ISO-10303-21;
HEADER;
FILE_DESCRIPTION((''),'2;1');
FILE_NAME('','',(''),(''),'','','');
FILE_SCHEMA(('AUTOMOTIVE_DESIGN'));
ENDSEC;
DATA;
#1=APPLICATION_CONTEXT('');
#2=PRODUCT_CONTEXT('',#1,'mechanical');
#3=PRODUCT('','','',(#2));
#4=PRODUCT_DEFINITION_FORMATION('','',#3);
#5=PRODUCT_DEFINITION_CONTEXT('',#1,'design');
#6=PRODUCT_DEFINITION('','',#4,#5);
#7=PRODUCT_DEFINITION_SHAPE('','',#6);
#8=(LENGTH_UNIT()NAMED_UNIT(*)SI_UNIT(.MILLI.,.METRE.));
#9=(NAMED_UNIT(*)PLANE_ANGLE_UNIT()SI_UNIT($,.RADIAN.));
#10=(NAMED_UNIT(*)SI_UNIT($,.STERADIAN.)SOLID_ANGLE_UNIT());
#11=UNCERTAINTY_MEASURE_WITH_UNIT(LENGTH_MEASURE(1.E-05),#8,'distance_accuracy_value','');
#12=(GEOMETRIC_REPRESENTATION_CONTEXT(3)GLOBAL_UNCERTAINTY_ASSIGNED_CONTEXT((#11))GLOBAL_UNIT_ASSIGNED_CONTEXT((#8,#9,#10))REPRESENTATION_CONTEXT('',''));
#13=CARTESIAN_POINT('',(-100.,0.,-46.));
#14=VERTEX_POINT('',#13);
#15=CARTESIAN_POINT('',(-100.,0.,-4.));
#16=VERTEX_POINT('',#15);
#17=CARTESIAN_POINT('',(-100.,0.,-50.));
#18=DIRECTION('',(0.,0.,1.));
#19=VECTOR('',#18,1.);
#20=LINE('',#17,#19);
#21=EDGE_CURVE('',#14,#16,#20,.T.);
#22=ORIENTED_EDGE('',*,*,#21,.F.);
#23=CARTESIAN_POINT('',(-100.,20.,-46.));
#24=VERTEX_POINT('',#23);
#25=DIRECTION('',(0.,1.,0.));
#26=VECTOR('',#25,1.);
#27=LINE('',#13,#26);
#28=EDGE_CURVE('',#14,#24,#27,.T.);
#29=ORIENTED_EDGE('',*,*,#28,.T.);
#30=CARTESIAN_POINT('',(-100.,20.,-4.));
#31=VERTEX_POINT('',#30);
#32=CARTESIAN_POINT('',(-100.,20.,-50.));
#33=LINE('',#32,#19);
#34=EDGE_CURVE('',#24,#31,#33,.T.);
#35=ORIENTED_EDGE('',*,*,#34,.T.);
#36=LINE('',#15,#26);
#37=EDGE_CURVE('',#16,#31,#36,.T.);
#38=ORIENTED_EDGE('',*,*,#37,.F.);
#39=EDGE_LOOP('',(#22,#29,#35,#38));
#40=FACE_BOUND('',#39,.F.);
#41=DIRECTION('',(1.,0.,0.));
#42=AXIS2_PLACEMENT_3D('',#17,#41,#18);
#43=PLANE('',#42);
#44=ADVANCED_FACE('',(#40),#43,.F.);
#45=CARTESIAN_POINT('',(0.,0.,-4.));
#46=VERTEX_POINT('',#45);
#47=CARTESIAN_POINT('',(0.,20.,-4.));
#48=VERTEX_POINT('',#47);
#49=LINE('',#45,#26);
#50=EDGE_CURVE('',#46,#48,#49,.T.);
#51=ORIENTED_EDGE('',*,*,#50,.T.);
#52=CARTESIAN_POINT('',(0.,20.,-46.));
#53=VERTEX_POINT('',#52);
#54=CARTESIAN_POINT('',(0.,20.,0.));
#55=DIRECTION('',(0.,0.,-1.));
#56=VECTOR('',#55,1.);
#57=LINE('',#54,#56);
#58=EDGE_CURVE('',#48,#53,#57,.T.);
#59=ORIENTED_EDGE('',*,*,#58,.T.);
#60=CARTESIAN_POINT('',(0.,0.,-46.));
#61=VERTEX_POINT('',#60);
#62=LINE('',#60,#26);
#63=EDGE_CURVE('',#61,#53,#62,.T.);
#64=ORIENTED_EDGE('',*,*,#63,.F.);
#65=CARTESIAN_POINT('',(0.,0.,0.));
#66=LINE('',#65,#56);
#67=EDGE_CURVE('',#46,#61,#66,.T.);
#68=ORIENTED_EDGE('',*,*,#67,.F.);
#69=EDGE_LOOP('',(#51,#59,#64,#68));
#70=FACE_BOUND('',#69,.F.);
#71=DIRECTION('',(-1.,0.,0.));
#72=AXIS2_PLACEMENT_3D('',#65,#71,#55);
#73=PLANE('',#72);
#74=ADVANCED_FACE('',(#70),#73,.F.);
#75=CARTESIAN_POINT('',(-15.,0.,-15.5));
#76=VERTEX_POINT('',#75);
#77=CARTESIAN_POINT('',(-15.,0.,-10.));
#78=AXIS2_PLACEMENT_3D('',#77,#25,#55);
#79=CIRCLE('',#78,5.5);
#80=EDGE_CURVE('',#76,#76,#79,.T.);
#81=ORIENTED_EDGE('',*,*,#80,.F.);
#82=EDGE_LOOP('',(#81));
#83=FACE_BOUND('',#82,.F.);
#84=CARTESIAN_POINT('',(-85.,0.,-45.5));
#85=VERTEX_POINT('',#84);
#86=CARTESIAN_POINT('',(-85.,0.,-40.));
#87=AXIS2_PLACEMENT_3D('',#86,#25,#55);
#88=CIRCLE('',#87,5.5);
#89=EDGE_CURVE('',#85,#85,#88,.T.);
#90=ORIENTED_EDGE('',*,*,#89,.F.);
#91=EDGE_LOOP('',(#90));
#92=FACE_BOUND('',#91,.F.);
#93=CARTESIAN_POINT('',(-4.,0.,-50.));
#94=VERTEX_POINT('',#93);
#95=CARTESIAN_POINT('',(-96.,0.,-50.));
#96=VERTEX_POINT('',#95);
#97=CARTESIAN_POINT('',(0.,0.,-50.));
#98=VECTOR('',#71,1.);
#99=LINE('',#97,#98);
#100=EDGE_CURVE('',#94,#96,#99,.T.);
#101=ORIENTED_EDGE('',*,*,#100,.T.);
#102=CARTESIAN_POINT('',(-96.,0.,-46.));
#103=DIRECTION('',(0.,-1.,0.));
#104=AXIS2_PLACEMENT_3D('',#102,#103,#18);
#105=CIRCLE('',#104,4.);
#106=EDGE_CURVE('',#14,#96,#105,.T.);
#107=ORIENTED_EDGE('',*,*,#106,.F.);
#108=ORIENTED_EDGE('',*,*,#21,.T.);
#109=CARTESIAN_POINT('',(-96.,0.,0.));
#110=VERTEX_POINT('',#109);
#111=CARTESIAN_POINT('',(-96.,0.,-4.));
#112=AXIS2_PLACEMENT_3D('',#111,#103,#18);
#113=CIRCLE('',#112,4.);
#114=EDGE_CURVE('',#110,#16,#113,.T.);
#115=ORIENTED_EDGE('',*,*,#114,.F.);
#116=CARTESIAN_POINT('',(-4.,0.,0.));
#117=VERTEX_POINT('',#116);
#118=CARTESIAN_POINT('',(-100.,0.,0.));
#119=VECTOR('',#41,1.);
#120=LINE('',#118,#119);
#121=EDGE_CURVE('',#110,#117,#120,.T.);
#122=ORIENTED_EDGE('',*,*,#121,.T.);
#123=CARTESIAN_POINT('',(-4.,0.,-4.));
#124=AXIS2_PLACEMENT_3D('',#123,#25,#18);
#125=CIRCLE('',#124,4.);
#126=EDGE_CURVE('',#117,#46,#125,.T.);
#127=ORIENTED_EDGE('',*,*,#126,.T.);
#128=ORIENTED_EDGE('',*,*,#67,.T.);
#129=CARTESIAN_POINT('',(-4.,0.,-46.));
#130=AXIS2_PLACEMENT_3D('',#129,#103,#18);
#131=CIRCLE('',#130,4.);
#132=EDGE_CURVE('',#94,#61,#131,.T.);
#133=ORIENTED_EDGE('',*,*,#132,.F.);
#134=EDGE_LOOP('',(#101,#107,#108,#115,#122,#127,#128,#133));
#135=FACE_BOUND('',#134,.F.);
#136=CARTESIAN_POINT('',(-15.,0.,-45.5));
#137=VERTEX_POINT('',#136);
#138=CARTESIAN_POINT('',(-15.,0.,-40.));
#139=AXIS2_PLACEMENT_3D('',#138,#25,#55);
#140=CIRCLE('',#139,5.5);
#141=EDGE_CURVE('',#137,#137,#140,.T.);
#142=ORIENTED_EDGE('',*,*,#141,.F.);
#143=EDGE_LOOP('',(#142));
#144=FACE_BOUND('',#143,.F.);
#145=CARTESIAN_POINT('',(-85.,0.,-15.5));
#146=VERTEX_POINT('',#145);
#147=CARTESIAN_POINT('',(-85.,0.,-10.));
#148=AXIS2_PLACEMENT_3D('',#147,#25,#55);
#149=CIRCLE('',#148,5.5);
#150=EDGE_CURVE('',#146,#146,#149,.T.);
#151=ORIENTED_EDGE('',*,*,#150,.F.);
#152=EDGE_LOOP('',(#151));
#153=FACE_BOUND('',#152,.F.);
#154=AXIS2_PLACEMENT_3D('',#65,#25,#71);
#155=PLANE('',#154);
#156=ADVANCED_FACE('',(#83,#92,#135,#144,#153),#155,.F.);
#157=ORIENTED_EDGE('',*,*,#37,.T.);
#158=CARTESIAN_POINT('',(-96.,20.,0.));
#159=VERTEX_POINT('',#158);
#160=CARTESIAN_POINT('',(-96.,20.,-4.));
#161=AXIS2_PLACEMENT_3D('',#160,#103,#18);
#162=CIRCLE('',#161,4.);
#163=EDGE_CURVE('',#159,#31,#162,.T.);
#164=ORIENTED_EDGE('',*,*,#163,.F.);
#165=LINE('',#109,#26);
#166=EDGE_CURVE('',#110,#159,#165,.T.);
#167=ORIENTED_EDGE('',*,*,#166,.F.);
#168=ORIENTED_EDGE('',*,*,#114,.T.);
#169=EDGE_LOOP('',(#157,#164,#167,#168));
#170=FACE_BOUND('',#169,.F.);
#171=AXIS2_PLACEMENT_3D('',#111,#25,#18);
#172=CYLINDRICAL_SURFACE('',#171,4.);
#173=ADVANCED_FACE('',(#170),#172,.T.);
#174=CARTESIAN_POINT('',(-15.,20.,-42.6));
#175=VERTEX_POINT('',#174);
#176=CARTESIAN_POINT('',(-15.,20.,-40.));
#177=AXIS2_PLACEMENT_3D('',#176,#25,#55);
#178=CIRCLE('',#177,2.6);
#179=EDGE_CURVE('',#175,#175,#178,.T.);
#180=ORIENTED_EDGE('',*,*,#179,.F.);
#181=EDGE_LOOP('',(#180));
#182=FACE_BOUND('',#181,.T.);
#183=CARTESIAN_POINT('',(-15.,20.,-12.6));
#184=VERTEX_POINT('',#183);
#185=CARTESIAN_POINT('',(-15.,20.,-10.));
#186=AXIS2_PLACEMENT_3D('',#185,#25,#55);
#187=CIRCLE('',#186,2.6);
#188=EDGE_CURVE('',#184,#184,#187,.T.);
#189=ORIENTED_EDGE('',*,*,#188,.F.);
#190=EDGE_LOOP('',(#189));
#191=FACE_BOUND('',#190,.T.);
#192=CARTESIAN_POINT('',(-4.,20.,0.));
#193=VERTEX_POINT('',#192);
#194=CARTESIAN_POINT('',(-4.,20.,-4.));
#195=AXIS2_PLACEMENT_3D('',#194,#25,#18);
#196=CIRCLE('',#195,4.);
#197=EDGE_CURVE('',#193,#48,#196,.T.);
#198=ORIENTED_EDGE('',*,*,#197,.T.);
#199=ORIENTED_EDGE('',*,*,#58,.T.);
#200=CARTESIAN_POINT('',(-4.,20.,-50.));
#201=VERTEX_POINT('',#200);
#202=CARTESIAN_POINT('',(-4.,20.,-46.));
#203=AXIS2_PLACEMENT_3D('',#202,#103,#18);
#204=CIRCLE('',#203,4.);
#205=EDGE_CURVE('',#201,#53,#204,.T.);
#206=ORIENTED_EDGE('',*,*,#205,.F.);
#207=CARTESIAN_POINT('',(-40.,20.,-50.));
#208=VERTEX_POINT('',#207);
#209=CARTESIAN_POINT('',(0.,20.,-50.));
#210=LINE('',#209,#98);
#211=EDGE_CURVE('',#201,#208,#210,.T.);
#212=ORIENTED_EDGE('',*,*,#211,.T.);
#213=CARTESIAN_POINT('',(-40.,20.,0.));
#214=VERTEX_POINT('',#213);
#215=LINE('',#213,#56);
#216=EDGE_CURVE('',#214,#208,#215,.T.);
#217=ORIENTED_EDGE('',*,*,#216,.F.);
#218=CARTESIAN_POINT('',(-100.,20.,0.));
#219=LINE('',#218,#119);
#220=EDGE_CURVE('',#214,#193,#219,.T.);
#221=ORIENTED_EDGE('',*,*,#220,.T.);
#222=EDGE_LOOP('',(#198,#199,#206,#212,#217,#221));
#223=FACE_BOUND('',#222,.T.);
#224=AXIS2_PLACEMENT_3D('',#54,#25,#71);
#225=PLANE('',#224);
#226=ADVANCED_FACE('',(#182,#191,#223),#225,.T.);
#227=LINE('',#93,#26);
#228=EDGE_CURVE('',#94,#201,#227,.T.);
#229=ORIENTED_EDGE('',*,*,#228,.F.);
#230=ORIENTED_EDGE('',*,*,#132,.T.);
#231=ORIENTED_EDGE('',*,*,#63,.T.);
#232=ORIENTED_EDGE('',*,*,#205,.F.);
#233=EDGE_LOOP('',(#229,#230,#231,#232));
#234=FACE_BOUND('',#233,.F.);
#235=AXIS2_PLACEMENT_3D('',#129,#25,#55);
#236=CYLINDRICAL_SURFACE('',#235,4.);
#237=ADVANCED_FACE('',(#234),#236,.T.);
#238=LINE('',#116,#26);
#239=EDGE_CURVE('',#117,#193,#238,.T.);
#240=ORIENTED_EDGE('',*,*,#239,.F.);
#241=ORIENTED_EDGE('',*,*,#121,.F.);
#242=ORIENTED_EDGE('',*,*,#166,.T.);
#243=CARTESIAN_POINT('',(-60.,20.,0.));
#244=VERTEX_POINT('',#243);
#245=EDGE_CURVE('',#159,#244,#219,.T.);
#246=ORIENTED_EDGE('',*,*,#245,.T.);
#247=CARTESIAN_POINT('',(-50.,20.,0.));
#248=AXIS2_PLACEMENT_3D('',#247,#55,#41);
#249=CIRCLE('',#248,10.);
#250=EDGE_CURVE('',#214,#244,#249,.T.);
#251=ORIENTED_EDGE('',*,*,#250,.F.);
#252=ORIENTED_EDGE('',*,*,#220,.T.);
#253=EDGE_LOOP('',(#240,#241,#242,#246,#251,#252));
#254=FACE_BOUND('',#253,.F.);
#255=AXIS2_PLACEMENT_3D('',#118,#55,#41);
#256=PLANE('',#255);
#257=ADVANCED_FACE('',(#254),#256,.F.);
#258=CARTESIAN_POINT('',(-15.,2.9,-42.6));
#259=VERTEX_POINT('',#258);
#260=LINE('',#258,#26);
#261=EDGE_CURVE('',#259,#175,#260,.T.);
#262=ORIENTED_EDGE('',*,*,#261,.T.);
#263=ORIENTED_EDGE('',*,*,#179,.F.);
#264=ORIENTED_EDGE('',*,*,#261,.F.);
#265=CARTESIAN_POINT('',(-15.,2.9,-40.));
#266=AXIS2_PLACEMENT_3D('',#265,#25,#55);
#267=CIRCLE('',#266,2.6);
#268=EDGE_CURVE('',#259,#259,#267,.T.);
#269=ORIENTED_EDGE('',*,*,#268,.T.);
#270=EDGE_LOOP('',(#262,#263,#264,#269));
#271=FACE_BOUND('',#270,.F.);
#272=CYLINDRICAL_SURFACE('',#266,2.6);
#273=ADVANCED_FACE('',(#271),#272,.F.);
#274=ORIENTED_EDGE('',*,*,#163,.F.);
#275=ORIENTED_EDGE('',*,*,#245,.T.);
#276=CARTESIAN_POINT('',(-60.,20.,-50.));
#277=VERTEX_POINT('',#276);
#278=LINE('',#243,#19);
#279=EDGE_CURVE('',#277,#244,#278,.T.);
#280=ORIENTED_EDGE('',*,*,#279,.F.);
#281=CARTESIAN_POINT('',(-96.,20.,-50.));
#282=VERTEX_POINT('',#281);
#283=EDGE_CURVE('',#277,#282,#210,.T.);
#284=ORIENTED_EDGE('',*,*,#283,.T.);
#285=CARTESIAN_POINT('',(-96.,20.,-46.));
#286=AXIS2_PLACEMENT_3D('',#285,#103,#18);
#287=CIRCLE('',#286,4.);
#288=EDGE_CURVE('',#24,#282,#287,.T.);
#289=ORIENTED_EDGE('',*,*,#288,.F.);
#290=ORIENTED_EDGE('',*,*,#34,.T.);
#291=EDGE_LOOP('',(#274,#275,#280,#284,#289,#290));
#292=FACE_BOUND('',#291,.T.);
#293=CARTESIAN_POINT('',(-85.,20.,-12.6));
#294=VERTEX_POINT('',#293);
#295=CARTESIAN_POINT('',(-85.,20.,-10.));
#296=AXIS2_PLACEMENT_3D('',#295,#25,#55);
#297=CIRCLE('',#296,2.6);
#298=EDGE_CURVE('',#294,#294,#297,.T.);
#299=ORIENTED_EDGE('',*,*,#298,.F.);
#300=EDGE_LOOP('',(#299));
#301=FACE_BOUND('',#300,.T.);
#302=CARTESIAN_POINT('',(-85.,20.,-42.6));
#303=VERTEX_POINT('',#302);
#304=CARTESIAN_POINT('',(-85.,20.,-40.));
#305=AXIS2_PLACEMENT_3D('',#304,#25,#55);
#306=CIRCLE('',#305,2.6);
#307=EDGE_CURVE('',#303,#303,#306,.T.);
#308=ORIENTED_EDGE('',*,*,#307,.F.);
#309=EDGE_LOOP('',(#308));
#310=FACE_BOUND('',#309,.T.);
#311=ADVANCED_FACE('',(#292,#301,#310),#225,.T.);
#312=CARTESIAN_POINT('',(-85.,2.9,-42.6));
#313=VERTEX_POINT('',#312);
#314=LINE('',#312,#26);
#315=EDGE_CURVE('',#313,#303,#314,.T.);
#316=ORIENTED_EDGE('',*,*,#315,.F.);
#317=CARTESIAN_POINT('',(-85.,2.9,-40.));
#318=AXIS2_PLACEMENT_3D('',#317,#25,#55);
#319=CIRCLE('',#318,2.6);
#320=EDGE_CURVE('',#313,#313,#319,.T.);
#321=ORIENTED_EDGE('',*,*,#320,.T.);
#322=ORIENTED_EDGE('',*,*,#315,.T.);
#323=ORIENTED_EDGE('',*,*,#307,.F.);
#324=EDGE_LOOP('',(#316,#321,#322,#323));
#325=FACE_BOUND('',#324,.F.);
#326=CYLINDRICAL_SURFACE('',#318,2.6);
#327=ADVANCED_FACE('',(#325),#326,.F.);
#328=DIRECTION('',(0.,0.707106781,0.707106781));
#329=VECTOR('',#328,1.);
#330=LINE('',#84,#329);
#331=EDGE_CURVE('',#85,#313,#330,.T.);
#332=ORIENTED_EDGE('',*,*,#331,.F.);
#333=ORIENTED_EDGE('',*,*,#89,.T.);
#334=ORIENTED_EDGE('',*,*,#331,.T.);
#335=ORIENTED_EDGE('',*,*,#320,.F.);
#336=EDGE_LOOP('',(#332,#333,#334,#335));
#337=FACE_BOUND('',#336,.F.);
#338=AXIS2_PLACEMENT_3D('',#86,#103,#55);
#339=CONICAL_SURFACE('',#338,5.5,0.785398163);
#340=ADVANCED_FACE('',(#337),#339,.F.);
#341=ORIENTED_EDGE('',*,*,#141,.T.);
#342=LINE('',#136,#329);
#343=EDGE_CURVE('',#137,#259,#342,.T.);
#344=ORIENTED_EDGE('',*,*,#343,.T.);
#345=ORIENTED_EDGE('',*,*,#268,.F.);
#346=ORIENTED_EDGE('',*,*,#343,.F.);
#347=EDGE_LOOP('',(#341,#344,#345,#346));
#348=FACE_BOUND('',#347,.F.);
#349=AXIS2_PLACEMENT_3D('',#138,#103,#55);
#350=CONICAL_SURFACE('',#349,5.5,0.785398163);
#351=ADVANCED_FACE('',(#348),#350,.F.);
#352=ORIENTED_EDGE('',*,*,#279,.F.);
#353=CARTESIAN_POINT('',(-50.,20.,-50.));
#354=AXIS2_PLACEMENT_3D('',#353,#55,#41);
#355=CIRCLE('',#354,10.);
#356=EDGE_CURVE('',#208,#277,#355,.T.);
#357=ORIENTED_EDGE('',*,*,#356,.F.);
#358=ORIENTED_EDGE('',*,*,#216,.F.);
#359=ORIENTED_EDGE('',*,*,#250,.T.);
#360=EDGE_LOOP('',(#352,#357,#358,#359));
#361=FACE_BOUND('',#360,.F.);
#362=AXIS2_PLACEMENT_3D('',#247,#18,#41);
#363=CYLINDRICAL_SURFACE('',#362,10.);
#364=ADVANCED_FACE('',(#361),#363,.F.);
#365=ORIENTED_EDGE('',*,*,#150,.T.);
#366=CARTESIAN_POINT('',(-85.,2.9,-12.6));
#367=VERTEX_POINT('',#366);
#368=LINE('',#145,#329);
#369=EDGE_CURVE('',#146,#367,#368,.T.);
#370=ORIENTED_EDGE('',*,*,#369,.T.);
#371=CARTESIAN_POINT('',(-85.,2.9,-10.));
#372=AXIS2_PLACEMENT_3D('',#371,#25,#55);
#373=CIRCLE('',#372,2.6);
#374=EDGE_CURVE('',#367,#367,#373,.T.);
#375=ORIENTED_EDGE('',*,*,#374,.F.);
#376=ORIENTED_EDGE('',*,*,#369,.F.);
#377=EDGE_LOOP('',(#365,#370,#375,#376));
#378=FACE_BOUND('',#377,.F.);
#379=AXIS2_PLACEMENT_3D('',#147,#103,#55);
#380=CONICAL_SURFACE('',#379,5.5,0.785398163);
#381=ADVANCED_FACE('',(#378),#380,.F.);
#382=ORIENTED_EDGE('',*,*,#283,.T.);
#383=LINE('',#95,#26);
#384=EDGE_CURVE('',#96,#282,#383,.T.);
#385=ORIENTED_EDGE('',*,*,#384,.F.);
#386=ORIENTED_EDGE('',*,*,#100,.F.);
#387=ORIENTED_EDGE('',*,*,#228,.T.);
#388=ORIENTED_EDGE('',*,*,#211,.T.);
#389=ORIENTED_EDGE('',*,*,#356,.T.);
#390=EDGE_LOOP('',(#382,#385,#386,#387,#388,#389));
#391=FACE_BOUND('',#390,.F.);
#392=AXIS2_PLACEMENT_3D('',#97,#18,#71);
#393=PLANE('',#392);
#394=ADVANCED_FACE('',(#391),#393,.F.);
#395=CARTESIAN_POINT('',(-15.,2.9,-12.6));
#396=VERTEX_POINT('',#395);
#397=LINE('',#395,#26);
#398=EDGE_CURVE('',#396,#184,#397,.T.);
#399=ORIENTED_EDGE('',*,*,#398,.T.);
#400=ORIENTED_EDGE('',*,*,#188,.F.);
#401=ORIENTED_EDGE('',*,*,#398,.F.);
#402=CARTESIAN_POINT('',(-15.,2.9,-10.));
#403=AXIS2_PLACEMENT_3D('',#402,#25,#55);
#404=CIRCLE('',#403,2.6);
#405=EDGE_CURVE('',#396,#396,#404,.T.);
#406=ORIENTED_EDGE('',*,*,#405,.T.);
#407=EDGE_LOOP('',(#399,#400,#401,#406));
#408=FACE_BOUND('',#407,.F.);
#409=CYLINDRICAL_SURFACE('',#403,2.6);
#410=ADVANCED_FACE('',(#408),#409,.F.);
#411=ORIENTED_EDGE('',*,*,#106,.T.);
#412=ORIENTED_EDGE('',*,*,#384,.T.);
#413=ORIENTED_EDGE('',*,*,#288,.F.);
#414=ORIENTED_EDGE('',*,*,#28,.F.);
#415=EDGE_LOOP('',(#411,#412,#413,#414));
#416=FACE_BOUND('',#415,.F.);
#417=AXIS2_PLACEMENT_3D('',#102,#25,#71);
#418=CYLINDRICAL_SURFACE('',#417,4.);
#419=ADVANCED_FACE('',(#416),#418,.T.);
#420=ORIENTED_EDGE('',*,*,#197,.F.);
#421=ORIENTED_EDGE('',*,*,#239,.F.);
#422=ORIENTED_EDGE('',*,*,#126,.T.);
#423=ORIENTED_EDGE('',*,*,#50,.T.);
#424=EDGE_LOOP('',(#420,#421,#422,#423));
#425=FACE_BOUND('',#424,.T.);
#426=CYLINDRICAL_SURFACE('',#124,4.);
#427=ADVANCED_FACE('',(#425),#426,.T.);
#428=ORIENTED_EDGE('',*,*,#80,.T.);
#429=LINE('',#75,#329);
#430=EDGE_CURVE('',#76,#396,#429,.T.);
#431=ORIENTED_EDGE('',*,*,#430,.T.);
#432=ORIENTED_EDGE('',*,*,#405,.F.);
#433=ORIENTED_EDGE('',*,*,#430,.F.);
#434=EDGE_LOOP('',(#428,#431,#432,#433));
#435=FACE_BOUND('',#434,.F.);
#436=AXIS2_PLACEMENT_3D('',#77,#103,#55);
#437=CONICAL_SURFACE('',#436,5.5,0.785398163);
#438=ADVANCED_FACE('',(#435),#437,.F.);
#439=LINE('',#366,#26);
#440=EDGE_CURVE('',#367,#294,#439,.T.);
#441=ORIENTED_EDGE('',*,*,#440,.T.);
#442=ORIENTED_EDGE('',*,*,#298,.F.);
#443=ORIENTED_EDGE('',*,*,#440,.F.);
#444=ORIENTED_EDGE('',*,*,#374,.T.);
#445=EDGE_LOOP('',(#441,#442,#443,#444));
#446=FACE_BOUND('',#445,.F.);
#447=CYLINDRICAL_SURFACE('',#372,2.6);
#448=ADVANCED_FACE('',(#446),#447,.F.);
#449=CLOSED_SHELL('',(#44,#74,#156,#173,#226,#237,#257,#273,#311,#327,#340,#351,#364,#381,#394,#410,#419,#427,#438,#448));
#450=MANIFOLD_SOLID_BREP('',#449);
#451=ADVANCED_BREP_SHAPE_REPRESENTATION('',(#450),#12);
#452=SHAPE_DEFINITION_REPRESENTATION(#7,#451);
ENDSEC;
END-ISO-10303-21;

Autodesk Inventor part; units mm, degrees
ref_plane "YZ Plane" through (0, 0, 0) normal (1, 0, 0) x (0, 1, 0)
ref_plane "XZ Plane" through (0, 0, 0) normal (0, 1, 0) x (-1, 0, 0)
ref_plane "XY Plane" through (0, 0, 0) normal (0, 0, 1) x (1, 0, 0)
sketch "Skizze1" plane through (0, 0, 0) normal (0, 1, 0) x (-1, 0, 0)
  line L0 (0, 0) -> (0, -50)
  line L1 (0, -50) -> (100, -50)
  line L2 (100, -50) -> (100, 0)
  line L3 (100, 0) -> (0, 0)
  dimension "d0" = 50
  dimension "d1" = 100
extrude "Extrusion1" add sketch "Skizze1" along normal blind 20
fillet "Rundung1" radius 4 4 edges at (0, 10, 0) (0, 10, -50) (-100, 10, -50) (-100, 10, 0)
sketch "Skizze2" plane through (-96, 0, 0) normal (0, 0, 1) x (1, 0, 0)
  line L0 (0, 20) -> (0, 0) projected
  line L1 (0, 0) -> (46, 0)
  line L2 (0, 0) -> (92, 0) projected
  line L3 (46, 0) -> (46, 20)
  circle A0 centre (46, 20) radius 10
  point P0 (96, 0)
  dimension "d5" = 46
  dimension "d6" = 20
  dimension "d7" = 20
extrude "Extrusion2" cut sketch "Skizze2" against normal through all
sketch "Skizze3" plane through (0, 0, 0) normal (0, -1, 0) x (1, 0, 0)
  line L0 (0, 0) -> (0, -10)
  line L1 (0, -4) -> (0, -46) projected
  line L2 (0, -10) -> (-15, -10)
  line L3 (-15, -10) -> (-85, -10)
  line L4 (-85, -10) -> (-85, -40)
  line L5 (-85, -40) -> (-15, -40)
  dimension "d10" = 10
  dimension "d11" = 15
  dimension "d12" = 70
  dimension "d13" = 30
hole "Bohrung1" at (-85, 0, -40) at (-85, 0, -10) at (-15, 0, -40) at (-15, 0, -10) direction (0, 1, 0) diameter 5.2 end through all countersink diameter 11 countersink angle 90
equation "\"d0\" = breite"
equation "\"d1\" = länge"
equation "\"d4\" = radius"
equation "\"d7\" = durchmesser"
equation "\"breite\" = 50"
equation "\"länge\" = 100"
equation "\"radius\" = 4"
equation "\"durchmesser\" = 20"
properties part number "TrittOT" material "PVC, hart"
